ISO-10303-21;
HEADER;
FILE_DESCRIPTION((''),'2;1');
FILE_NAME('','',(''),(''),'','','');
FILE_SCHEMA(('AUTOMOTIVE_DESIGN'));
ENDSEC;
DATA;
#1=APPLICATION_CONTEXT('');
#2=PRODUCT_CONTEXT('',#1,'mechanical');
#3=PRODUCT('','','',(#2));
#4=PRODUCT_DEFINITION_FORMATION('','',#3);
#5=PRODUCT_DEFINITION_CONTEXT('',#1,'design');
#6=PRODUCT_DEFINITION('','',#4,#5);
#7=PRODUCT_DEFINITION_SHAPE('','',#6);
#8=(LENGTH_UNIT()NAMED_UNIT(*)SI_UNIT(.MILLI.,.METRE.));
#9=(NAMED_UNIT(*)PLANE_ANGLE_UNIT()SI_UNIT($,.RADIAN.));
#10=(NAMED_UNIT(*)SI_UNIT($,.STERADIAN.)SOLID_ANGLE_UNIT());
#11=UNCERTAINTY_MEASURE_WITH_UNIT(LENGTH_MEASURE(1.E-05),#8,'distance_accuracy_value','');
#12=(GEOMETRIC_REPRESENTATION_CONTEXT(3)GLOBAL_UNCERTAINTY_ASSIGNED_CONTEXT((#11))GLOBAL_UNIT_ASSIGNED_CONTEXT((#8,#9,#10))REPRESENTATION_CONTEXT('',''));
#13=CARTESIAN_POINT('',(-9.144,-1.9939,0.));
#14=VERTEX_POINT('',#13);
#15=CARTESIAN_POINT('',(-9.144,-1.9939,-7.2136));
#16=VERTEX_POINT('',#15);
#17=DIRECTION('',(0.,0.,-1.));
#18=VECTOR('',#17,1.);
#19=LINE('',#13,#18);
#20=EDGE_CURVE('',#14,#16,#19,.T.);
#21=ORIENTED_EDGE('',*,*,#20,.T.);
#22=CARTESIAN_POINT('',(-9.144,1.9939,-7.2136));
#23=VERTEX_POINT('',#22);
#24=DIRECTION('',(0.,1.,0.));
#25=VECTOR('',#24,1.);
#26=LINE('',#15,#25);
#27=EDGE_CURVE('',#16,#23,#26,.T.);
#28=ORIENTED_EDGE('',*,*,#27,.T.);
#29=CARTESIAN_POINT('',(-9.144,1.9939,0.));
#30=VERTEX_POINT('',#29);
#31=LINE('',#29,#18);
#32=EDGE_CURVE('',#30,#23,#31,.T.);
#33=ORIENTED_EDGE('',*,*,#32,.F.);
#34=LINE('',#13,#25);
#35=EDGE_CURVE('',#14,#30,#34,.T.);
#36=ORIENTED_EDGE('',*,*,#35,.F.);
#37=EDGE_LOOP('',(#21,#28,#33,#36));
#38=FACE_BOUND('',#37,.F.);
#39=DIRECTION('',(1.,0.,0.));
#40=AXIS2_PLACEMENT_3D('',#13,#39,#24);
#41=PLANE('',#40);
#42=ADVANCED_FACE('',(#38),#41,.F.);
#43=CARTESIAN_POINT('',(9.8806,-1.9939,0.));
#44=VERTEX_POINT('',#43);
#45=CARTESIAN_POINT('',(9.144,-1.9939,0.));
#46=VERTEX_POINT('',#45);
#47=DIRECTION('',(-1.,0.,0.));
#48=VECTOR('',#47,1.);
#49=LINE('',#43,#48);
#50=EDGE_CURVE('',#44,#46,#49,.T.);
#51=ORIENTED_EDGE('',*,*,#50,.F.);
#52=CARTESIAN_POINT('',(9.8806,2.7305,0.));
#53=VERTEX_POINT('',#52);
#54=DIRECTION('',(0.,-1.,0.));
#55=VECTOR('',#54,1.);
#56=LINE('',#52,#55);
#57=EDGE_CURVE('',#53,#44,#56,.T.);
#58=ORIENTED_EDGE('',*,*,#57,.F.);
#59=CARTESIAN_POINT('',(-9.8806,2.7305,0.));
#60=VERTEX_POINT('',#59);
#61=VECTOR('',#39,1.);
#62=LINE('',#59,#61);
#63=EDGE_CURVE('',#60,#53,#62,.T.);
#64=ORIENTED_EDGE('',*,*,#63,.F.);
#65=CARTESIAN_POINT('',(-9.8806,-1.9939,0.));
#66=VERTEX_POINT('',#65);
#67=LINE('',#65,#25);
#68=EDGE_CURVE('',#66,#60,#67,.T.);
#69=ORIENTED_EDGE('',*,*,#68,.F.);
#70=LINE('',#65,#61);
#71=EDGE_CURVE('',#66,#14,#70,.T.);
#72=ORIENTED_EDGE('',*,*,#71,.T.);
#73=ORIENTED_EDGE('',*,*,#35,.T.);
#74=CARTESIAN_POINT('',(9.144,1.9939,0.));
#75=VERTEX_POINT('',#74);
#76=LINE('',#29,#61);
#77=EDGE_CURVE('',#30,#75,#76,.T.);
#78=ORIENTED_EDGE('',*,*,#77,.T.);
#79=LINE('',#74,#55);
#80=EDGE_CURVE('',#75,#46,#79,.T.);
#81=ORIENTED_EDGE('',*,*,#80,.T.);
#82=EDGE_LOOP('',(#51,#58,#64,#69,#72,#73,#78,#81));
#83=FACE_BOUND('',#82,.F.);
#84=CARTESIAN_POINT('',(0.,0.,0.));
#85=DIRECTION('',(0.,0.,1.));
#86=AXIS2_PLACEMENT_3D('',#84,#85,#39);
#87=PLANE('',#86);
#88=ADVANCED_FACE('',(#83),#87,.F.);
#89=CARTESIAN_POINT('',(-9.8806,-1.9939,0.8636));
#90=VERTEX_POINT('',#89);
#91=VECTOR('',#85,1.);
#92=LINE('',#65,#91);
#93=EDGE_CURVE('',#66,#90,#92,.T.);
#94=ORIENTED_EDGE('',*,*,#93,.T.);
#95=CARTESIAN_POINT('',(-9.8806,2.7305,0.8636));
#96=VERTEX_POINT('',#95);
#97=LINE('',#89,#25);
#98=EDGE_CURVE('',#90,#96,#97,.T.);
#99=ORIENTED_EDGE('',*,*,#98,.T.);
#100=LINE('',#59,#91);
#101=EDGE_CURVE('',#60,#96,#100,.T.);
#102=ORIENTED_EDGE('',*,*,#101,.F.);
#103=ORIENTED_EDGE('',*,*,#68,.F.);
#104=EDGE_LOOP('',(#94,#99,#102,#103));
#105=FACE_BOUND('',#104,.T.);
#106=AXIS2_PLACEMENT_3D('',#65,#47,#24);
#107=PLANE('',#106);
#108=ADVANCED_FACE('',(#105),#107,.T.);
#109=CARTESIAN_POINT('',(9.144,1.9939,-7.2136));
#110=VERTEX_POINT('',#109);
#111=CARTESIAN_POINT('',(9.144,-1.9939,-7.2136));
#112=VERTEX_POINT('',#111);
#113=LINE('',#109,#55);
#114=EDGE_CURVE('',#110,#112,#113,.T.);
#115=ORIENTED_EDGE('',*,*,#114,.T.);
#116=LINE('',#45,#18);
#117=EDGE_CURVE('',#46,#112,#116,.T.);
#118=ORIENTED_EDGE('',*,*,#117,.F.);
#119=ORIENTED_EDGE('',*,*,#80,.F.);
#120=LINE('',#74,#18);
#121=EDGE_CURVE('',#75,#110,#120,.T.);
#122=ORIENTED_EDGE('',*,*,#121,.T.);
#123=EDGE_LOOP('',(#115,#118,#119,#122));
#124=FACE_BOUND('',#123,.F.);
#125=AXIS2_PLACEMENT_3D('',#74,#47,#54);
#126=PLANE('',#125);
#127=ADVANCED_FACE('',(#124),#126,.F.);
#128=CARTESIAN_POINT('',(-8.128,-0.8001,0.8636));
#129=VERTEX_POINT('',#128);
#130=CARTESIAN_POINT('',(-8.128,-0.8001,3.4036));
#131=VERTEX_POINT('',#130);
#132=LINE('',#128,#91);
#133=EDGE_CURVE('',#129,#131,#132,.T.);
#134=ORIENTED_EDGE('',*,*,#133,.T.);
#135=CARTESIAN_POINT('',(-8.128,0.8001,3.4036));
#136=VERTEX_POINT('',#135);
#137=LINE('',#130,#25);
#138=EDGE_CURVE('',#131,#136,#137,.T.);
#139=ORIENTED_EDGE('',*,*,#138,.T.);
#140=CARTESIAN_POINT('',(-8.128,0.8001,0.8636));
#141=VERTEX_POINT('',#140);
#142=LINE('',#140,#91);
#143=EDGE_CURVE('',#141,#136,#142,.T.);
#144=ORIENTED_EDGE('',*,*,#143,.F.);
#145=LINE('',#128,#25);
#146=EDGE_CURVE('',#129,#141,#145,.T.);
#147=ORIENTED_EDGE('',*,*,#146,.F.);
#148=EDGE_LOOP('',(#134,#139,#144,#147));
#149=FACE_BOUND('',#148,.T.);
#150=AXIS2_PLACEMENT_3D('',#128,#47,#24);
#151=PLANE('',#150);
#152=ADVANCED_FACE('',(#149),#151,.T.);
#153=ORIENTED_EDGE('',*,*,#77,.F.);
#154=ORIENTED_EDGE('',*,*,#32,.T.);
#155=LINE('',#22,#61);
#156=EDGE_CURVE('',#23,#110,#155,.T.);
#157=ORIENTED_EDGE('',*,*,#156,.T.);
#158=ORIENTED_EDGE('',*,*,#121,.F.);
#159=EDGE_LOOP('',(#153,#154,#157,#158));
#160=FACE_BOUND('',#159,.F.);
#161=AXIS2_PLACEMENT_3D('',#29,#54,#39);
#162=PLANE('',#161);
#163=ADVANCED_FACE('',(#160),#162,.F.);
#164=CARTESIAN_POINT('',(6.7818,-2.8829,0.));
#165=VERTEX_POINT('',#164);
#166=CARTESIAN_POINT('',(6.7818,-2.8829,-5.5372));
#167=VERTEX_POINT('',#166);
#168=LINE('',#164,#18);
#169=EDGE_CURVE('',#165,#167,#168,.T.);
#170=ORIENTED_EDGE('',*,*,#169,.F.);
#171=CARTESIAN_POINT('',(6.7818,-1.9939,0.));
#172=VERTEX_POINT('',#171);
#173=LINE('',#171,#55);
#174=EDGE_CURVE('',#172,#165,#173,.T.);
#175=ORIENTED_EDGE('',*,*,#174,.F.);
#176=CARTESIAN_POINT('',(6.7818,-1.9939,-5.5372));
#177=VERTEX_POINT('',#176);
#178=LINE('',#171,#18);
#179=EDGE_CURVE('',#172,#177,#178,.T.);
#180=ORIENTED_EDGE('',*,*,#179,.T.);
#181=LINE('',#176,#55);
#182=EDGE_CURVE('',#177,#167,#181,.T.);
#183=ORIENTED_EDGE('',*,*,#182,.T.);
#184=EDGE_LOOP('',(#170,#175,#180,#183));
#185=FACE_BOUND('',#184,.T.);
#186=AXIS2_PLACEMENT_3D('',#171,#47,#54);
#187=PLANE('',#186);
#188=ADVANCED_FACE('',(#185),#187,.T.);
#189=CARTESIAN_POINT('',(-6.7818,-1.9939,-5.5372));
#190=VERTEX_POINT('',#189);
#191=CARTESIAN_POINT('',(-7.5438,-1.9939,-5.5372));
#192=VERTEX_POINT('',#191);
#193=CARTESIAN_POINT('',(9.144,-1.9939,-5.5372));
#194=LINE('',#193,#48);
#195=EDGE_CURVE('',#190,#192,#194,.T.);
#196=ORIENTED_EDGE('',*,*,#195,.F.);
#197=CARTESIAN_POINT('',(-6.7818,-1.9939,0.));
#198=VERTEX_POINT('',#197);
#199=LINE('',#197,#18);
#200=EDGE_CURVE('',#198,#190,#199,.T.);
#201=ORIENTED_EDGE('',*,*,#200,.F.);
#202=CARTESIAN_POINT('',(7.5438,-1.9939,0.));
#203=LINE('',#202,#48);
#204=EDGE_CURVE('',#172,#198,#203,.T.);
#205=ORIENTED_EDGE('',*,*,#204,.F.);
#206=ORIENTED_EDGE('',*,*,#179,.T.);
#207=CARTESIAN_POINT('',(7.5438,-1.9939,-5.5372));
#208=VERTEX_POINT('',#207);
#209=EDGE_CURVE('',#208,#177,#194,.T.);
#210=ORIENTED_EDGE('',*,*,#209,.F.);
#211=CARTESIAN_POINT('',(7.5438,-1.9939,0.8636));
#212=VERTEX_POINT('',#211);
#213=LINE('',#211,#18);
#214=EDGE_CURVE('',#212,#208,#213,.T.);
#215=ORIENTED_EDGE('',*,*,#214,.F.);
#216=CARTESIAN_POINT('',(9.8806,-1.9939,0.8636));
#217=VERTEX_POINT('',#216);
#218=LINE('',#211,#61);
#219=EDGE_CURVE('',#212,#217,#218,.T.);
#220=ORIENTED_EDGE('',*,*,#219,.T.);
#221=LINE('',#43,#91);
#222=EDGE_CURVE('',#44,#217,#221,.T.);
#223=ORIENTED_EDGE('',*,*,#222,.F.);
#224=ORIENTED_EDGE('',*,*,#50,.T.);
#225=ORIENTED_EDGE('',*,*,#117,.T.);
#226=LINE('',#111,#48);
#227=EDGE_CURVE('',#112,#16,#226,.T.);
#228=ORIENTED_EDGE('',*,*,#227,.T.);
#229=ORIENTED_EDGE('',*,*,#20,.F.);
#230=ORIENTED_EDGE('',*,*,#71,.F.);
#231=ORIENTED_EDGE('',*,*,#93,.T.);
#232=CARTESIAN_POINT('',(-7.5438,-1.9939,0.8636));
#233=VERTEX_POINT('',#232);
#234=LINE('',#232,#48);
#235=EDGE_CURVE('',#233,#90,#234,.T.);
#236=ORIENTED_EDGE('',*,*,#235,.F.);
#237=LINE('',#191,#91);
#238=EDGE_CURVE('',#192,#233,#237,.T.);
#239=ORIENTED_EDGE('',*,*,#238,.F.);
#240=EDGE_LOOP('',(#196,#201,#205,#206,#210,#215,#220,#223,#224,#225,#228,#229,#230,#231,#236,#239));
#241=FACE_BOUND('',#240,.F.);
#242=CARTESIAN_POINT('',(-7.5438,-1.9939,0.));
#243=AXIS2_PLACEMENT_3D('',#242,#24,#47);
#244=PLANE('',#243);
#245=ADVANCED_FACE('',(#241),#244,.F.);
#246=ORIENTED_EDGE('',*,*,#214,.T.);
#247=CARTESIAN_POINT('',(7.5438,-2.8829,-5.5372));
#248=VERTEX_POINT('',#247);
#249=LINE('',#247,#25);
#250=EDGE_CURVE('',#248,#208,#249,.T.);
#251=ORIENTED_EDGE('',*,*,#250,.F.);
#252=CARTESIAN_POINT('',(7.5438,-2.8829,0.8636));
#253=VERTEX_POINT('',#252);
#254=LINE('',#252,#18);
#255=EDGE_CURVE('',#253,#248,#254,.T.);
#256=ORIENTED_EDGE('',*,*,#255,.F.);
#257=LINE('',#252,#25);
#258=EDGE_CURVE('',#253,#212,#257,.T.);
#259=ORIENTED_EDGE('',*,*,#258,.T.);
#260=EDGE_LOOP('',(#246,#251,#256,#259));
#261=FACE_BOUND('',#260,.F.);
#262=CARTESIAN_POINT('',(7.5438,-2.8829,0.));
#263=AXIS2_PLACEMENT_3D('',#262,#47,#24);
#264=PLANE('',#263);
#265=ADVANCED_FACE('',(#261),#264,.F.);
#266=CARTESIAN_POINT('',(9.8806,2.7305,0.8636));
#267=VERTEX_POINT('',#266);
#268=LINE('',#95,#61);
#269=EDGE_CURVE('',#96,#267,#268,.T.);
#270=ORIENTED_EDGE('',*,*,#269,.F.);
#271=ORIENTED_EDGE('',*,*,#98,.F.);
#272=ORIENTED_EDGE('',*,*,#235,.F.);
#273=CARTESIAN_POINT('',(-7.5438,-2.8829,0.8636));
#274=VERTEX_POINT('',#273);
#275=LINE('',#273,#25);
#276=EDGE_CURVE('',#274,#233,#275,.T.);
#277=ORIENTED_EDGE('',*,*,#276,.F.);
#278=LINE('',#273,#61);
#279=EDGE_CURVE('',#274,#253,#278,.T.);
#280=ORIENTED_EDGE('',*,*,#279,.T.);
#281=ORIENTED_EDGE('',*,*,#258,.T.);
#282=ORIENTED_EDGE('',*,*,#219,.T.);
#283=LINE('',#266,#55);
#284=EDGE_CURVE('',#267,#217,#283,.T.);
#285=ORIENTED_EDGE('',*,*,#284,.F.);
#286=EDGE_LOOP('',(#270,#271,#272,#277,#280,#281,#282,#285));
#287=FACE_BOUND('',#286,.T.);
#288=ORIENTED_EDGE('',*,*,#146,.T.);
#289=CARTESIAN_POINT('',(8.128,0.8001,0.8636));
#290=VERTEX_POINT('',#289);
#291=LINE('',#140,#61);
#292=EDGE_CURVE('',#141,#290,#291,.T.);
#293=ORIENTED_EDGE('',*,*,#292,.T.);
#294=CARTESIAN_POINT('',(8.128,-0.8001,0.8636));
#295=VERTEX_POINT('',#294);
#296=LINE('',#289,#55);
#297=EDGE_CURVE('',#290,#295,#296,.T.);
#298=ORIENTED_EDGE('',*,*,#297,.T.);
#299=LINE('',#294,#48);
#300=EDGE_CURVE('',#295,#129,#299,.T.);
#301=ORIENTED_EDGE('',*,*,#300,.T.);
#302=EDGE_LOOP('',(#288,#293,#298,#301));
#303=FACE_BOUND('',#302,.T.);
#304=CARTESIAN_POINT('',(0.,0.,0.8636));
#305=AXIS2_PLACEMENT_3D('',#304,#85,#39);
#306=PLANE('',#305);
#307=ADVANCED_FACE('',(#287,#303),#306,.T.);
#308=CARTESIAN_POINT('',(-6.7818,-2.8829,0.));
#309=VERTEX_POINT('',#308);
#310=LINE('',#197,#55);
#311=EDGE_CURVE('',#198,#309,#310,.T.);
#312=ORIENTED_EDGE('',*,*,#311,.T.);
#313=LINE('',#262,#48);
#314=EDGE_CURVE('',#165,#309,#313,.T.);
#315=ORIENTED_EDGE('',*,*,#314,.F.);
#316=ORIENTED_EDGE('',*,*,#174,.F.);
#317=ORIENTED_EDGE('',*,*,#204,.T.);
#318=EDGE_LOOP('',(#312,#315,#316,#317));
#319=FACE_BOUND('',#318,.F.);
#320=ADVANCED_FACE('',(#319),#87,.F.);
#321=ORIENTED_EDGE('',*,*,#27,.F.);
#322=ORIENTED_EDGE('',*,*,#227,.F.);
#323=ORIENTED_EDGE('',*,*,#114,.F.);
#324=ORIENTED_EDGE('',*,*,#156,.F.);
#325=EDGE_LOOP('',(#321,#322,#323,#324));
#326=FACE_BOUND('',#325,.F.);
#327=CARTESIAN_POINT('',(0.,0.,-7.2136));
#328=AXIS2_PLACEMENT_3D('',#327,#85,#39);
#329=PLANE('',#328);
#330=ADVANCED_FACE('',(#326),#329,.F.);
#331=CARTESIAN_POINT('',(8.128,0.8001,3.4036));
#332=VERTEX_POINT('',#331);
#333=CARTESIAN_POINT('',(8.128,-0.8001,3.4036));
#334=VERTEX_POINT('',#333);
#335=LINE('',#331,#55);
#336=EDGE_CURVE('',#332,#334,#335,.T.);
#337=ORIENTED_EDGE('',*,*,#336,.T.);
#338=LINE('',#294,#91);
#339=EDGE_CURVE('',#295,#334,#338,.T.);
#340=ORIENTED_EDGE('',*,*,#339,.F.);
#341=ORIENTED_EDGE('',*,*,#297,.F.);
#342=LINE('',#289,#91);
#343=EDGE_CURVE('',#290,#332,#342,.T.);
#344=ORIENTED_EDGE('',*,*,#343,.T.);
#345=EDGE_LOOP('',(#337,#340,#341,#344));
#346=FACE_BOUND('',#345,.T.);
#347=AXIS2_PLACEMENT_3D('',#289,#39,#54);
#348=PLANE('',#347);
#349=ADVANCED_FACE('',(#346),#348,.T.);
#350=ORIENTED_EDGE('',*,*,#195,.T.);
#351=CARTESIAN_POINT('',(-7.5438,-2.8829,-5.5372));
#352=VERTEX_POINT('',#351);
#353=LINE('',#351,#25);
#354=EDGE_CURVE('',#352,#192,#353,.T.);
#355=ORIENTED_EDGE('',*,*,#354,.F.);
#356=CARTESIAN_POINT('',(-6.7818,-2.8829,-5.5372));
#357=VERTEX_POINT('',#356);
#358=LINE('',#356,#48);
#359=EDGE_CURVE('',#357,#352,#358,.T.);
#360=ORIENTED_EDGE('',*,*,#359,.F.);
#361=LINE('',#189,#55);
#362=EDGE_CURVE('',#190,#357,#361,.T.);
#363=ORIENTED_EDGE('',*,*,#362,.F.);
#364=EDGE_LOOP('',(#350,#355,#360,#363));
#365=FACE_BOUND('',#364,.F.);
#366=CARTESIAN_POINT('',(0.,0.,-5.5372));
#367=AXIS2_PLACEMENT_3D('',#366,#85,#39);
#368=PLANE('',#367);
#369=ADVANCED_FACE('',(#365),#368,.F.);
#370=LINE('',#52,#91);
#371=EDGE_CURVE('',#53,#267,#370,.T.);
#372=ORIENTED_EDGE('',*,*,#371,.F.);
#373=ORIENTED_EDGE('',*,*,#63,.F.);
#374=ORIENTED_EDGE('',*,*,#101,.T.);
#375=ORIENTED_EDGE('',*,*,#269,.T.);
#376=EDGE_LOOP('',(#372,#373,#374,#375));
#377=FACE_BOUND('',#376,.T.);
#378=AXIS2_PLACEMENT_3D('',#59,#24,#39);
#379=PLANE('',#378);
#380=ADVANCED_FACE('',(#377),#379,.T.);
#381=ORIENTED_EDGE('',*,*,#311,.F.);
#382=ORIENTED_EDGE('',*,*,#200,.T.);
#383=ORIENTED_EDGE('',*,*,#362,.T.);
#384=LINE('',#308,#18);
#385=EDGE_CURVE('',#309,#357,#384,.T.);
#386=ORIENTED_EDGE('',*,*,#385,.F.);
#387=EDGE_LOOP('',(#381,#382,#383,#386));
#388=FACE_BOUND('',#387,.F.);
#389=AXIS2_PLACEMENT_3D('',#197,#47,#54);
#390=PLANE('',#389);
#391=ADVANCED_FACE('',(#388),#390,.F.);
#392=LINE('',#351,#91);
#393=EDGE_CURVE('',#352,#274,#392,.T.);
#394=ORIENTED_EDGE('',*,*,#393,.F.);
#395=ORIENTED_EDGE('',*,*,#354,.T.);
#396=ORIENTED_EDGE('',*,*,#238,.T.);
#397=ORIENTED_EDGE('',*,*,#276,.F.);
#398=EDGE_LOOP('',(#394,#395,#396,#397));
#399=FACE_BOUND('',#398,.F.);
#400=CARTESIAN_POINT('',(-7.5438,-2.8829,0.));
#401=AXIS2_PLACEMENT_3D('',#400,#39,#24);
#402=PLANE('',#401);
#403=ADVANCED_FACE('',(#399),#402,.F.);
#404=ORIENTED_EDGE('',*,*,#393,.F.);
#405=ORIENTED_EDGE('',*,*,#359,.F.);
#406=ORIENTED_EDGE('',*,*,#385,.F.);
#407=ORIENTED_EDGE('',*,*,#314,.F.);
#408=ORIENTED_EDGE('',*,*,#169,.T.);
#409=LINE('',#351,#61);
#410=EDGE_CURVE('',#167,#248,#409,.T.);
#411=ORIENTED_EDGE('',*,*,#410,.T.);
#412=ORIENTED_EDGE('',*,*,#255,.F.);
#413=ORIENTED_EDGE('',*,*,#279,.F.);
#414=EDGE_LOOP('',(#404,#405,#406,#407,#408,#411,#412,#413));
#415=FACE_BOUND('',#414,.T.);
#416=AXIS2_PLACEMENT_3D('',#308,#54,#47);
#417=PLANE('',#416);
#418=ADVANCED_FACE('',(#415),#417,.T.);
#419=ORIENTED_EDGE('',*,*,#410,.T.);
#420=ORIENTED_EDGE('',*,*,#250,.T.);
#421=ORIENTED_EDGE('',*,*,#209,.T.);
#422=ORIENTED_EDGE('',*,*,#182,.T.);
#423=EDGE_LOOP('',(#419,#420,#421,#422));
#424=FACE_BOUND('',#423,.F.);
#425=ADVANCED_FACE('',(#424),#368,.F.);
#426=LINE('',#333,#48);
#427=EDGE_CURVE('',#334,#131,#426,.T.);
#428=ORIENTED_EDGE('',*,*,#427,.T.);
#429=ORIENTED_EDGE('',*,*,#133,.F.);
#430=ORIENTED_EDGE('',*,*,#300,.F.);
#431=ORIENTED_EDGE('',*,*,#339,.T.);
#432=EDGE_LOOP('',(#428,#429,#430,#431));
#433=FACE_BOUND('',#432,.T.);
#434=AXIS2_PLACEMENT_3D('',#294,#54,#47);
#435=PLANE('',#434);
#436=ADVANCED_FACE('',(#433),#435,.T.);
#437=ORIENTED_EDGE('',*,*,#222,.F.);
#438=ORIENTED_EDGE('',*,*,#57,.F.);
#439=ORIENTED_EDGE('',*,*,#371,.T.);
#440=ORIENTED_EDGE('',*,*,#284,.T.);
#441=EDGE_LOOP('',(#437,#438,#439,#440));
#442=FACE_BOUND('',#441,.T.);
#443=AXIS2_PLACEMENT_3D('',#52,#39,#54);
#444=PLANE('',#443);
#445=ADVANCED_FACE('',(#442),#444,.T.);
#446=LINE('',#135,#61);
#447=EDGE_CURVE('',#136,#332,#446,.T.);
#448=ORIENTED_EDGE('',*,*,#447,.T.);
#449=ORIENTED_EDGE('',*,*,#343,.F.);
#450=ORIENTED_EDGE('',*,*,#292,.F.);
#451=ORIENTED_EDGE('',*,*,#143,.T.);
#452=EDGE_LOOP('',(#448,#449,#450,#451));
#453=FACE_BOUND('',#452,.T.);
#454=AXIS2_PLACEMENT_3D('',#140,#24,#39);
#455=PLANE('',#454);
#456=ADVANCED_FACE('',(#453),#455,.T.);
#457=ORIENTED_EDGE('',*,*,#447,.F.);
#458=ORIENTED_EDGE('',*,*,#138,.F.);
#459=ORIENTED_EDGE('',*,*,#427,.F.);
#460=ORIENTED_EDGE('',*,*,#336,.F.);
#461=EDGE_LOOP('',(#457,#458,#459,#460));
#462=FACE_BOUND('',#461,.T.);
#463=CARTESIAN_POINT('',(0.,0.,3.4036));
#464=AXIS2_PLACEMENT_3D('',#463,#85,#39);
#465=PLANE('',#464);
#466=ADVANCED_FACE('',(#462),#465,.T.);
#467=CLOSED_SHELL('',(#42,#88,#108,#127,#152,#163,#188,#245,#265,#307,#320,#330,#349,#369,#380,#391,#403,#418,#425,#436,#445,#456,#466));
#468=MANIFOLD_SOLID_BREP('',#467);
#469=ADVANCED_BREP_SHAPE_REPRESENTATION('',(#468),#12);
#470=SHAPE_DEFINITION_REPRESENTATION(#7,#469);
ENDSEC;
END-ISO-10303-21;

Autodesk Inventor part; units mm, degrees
ref_plane "YZ Plane" through (0, 0, 0) normal (1, 0, 0) x (0, 1, 0)
ref_plane "XZ Plane" through (0, 0, 0) normal (0, 1, 0) x (-1, 0, 0)
ref_plane "XY Plane" through (0, 0, 0) normal (0, 0, 1) x (1, 0, 0)
sketch "Sketch1" plane through (0, 0, 0) normal (0, 0, 1) x (1, 0, 0)
  line L0 (-9.144, 1.9939) -> (9.144, 1.9939)
  line L1 (9.144, 1.9939) -> (9.144, -1.9939)
  line L2 (9.144, -1.9939) -> (-9.144, -1.9939)
  line L3 (-9.144, -1.9939) -> (-9.144, 1.9939)
  line L4 (-9.144, 1.9939) -> (9.144, -1.9939) construction
  line L5 (9.144, 1.9939) -> (-9.144, -1.9939) construction
  line L6 (-9.8806, 2.7305) -> (9.8806, 2.7305)
  line L7 (9.8806, 2.7305) -> (9.8806, -1.9939)
  line L8 (9.8806, -1.9939) -> (-9.8806, -1.9939)
  line L9 (-9.8806, -1.9939) -> (-9.8806, 2.7305)
  line L10 (-7.5438, -1.9939) -> (-6.7818, -1.9939)
  line L11 (-6.7818, -1.9939) -> (-6.7818, -2.8829)
  line L12 (-6.7818, -2.8829) -> (-7.5438, -2.8829)
  line L13 (-7.5438, -2.8829) -> (-7.5438, -1.9939)
  line L14 (-7.5438, -2.8829) -> (7.5438, -2.8829)
  line L15 (7.5438, -2.8829) -> (7.5438, -1.9939)
  line L16 (7.5438, -1.9939) -> (-7.5438, -1.9939)
  line L17 (-7.5438, -1.9939) -> (-7.5438, -2.8829)
  line L18 (7.5438, -1.9939) -> (6.7818, -1.9939)
  line L19 (6.7818, -1.9939) -> (6.7818, -2.8829)
  line L20 (6.7818, -2.8829) -> (7.5438, -2.8829)
  line L21 (7.5438, -2.8829) -> (7.5438, -1.9939)
  line L22 (0, 0) -> (0, -2.8829) construction
  dimension "d0" = 18.288
  dimension "d1" = 3.9878
  dimension "d4" = 0.7366
  dimension "d6" = 0.7366
  dimension "d7" = 0.7366
  dimension "d14" = 0.762
  dimension "d16" = 0.889
  dimension "d17" = 13.5636
extrude "Extrusion1" add sketch "Sketch1" against normal blind 7.2136 contours L0 L1 L2 L3
extrude "Extrusion2" add sketch "Sketch1" along normal blind 0.8636
sketch "Sketch2" plane through (0, 0, 0.8636) normal (0, 0, 1) x (1, 0, 0)
  line L0 (-8.128, 0.8001) -> (8.128, 0.8001)
  line L1 (8.128, 0.8001) -> (8.128, -0.8001)
  line L2 (8.128, -0.8001) -> (-8.128, -0.8001)
  line L3 (-8.128, -0.8001) -> (-8.128, 0.8001)
  line L4 (8.128, 0.8001) -> (-8.128, -0.8001) construction
  point P0 (0, 0)
  point P1 (0, 0)
  dimension "d10" = 16.256
  dimension "d11" = 1.6002
extrude "Extrusion3" add sketch "Sketch2" along normal blind 2.54
extrude "Extrusion4" add sketch "Sketch1" against normal blind 5.5372 contours L2 L11 L12 L13 | L15 L14 L19 L2
properties part number "jst-xh 7c"
